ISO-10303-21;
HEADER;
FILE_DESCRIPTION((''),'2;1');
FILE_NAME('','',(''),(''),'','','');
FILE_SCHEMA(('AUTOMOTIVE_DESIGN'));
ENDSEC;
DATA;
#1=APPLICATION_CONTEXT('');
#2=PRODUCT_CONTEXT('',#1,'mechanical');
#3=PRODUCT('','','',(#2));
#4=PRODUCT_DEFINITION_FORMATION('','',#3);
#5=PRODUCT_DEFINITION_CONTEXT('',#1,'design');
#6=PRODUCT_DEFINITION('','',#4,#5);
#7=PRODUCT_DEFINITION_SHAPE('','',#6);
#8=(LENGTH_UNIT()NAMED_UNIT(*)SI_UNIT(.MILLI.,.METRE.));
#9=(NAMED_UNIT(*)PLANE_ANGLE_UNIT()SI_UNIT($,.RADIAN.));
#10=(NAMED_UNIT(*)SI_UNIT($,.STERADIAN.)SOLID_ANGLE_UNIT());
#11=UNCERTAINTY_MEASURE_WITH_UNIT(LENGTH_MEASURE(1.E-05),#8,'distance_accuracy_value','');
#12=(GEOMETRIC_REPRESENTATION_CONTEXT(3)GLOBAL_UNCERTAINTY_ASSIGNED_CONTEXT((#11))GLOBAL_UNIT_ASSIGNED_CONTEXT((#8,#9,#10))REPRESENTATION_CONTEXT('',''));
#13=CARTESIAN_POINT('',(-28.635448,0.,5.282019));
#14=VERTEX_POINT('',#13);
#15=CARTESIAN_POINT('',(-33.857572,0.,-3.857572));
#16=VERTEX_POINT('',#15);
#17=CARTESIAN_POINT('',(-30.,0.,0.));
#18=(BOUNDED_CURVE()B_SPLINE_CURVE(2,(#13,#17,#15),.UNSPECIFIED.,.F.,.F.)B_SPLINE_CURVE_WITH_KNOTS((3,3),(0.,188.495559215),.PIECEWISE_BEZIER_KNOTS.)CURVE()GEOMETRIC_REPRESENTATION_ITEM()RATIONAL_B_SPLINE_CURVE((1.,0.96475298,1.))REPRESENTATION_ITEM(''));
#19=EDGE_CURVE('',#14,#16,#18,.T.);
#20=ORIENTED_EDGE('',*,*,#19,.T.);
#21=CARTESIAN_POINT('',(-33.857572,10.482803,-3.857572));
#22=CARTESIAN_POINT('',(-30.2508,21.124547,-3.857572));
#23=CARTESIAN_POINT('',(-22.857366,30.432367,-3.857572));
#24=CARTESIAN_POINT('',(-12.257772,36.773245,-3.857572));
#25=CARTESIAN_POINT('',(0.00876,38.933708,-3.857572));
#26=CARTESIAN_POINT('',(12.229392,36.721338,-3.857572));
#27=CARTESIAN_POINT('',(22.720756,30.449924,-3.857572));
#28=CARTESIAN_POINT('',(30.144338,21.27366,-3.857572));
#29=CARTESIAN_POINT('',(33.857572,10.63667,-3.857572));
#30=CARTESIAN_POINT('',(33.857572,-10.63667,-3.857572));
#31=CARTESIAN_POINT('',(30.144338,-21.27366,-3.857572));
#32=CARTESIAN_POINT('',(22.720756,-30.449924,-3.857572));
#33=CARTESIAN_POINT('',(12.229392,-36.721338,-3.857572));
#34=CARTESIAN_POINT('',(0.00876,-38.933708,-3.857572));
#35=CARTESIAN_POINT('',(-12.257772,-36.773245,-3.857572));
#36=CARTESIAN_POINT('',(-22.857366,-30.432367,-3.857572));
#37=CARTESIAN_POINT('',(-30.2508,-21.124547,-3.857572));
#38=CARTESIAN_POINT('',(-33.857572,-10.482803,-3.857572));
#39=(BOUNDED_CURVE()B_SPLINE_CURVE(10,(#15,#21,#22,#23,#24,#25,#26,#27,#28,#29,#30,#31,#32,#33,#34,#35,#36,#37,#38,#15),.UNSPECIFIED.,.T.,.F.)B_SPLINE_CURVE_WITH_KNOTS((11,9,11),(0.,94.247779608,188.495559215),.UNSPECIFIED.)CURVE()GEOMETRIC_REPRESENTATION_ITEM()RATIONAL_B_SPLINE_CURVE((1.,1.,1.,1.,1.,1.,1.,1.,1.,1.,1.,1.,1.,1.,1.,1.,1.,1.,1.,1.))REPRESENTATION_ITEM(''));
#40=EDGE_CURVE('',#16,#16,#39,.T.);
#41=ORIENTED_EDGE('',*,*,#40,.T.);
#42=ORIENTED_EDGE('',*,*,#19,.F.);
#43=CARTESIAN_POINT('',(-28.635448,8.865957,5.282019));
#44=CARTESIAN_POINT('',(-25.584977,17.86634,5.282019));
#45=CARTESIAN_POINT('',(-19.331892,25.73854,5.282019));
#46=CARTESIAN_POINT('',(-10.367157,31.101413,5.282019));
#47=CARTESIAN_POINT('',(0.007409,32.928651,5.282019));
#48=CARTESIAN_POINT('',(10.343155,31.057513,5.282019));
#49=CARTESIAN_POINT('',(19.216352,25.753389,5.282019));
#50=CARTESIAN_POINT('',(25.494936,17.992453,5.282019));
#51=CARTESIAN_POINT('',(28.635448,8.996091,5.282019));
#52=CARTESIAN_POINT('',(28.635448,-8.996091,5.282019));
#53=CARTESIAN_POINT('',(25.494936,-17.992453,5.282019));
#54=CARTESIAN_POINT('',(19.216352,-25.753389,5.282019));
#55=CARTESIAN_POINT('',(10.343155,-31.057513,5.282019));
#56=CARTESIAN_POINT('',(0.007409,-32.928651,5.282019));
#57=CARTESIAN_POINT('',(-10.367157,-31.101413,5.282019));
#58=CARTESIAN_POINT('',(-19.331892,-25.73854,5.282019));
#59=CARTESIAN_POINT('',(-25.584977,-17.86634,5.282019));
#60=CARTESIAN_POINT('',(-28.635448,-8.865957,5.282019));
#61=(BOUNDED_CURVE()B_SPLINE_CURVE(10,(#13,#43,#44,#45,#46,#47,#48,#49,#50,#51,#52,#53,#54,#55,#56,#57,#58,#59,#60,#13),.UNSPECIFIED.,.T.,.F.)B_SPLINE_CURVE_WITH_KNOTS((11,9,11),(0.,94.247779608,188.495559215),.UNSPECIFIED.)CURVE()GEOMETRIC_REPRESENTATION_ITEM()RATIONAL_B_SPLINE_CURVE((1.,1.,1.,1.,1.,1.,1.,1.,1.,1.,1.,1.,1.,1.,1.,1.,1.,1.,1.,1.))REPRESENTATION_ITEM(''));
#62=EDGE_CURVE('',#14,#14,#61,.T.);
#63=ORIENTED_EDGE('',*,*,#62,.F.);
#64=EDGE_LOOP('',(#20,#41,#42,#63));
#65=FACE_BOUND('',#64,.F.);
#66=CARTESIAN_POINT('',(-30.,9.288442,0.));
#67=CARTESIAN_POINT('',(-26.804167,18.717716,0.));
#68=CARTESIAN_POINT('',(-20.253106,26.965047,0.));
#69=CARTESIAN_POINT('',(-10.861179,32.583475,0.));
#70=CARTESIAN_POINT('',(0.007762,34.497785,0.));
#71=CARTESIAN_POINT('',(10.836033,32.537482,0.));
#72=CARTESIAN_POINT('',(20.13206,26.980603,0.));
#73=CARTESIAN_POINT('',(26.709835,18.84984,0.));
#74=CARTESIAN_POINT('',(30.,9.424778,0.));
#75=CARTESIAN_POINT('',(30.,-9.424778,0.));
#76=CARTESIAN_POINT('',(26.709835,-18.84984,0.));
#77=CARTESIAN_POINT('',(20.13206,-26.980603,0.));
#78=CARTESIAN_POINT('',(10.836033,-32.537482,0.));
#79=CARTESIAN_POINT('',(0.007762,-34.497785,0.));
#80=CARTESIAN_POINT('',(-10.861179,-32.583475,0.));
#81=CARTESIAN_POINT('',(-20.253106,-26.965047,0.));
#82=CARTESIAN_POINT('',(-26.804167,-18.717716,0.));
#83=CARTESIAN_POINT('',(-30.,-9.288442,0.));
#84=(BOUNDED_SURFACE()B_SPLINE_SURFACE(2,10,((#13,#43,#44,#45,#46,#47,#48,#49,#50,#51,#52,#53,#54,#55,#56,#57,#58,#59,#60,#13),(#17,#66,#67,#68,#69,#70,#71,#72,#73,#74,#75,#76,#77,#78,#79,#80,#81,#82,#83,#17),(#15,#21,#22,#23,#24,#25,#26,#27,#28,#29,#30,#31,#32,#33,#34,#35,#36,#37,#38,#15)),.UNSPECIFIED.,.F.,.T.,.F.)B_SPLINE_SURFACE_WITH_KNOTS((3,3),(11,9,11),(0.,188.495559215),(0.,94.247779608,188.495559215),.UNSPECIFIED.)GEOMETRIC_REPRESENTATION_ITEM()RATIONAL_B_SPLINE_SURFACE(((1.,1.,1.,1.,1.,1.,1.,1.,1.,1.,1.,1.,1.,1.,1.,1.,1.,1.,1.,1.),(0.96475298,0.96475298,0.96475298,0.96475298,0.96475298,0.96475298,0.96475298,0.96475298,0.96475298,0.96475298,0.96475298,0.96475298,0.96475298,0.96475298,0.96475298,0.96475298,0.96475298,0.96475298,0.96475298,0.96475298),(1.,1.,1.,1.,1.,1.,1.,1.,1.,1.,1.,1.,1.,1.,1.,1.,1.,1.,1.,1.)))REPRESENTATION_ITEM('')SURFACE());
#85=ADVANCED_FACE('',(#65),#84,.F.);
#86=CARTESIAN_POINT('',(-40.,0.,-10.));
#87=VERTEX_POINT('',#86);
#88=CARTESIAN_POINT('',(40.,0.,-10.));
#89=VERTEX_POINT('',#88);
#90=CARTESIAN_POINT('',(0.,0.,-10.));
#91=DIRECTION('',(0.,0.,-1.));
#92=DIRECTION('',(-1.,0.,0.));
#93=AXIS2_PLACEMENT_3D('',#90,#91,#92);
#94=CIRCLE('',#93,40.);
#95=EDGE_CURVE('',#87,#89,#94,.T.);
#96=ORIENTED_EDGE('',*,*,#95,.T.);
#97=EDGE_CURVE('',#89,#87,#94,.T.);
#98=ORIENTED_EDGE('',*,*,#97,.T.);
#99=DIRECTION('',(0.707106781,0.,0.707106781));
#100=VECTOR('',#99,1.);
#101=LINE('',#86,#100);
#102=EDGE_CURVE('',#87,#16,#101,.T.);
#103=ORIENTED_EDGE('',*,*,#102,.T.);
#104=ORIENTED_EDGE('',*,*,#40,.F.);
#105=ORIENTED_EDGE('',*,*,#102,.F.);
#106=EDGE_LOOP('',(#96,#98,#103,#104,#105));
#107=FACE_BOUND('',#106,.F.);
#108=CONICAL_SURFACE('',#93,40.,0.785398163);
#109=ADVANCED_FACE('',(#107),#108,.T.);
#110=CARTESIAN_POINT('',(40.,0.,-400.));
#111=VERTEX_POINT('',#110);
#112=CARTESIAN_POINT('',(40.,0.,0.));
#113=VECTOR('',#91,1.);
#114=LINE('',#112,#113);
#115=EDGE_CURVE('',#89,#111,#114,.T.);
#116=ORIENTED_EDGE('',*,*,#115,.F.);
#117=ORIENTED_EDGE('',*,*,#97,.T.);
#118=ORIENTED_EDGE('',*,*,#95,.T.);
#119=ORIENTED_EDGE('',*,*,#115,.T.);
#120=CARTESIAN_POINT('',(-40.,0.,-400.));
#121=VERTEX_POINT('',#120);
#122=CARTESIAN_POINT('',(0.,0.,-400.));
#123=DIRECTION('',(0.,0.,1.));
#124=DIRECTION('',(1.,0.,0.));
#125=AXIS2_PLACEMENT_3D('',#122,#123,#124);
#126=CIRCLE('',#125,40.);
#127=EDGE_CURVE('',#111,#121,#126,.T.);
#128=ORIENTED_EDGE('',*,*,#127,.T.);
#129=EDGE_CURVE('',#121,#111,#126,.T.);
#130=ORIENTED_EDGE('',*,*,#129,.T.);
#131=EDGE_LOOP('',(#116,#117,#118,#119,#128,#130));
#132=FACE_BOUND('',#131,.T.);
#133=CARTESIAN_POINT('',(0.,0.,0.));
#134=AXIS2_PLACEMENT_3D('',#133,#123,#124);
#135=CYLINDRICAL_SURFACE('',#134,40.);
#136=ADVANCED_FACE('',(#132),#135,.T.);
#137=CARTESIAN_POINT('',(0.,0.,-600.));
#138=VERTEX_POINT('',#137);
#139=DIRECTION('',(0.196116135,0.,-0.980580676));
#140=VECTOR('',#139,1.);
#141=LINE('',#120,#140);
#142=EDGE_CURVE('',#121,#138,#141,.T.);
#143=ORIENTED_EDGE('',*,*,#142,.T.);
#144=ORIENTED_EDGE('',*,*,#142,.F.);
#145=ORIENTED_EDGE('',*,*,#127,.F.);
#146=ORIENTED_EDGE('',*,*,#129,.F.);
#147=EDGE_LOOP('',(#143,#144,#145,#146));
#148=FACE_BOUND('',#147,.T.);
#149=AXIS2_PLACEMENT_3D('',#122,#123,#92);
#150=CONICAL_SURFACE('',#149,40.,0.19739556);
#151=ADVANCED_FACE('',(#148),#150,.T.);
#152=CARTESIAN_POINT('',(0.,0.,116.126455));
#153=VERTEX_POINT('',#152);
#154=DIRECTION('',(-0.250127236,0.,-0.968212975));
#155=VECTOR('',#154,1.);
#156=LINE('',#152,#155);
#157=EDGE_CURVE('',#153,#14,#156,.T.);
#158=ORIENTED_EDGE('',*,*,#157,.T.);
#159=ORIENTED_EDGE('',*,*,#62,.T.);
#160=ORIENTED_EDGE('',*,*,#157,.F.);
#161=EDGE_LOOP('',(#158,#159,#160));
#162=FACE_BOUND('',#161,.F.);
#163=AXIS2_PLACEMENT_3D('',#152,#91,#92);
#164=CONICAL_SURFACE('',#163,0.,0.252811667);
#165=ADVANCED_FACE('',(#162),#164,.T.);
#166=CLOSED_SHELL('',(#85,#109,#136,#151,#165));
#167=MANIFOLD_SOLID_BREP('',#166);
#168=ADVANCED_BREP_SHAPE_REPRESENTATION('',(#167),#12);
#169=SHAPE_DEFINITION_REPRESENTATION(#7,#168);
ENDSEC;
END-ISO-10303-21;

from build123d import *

# Parameters (mm, degrees)
F0_R     = 40
F1_DEPTH = 400
F6_R     = 20


with BuildPart() as f1:
    # F0 (on Top) → F1 (new body)
    with BuildSketch(Plane.XY):
        Circle(F0_R)
    extrude(amount=-F1_DEPTH)

    # F2 (on Front) → F3 (revolve, cut)
    with BuildSketch(Plane.XZ):
        Polygon((-40, 0), (-40, -10), (-30, 0), align=None)
    revolve(axis=Axis((0, 0, -3.875099), (0, 0, -1)), mode=Mode.SUBTRACT)

    # F4 (on Front) → F5 (revolve)
    with BuildSketch(Plane.XZ):
        Polygon((-30, 0), (0, 0), (0, 116.126455), align=None)
    revolve(axis=Axis((0, 0, 58.063228), (0, 0, 1)))

    # F6
    f6_edges = [f1.edges().sort_by_distance(p)[0] for p in [
        (30, 0, 0),
    ]]
    fillet(f6_edges, radius=F6_R)

    # F7 (on Front) → F8 (revolve)
    with BuildSketch(Plane.XZ):
        Polygon((0, -400), (-40, -400), (0, -600), align=None)
    revolve(axis=Axis((0, 0, -500), (0, 0, -1)))


solid = f1.part
